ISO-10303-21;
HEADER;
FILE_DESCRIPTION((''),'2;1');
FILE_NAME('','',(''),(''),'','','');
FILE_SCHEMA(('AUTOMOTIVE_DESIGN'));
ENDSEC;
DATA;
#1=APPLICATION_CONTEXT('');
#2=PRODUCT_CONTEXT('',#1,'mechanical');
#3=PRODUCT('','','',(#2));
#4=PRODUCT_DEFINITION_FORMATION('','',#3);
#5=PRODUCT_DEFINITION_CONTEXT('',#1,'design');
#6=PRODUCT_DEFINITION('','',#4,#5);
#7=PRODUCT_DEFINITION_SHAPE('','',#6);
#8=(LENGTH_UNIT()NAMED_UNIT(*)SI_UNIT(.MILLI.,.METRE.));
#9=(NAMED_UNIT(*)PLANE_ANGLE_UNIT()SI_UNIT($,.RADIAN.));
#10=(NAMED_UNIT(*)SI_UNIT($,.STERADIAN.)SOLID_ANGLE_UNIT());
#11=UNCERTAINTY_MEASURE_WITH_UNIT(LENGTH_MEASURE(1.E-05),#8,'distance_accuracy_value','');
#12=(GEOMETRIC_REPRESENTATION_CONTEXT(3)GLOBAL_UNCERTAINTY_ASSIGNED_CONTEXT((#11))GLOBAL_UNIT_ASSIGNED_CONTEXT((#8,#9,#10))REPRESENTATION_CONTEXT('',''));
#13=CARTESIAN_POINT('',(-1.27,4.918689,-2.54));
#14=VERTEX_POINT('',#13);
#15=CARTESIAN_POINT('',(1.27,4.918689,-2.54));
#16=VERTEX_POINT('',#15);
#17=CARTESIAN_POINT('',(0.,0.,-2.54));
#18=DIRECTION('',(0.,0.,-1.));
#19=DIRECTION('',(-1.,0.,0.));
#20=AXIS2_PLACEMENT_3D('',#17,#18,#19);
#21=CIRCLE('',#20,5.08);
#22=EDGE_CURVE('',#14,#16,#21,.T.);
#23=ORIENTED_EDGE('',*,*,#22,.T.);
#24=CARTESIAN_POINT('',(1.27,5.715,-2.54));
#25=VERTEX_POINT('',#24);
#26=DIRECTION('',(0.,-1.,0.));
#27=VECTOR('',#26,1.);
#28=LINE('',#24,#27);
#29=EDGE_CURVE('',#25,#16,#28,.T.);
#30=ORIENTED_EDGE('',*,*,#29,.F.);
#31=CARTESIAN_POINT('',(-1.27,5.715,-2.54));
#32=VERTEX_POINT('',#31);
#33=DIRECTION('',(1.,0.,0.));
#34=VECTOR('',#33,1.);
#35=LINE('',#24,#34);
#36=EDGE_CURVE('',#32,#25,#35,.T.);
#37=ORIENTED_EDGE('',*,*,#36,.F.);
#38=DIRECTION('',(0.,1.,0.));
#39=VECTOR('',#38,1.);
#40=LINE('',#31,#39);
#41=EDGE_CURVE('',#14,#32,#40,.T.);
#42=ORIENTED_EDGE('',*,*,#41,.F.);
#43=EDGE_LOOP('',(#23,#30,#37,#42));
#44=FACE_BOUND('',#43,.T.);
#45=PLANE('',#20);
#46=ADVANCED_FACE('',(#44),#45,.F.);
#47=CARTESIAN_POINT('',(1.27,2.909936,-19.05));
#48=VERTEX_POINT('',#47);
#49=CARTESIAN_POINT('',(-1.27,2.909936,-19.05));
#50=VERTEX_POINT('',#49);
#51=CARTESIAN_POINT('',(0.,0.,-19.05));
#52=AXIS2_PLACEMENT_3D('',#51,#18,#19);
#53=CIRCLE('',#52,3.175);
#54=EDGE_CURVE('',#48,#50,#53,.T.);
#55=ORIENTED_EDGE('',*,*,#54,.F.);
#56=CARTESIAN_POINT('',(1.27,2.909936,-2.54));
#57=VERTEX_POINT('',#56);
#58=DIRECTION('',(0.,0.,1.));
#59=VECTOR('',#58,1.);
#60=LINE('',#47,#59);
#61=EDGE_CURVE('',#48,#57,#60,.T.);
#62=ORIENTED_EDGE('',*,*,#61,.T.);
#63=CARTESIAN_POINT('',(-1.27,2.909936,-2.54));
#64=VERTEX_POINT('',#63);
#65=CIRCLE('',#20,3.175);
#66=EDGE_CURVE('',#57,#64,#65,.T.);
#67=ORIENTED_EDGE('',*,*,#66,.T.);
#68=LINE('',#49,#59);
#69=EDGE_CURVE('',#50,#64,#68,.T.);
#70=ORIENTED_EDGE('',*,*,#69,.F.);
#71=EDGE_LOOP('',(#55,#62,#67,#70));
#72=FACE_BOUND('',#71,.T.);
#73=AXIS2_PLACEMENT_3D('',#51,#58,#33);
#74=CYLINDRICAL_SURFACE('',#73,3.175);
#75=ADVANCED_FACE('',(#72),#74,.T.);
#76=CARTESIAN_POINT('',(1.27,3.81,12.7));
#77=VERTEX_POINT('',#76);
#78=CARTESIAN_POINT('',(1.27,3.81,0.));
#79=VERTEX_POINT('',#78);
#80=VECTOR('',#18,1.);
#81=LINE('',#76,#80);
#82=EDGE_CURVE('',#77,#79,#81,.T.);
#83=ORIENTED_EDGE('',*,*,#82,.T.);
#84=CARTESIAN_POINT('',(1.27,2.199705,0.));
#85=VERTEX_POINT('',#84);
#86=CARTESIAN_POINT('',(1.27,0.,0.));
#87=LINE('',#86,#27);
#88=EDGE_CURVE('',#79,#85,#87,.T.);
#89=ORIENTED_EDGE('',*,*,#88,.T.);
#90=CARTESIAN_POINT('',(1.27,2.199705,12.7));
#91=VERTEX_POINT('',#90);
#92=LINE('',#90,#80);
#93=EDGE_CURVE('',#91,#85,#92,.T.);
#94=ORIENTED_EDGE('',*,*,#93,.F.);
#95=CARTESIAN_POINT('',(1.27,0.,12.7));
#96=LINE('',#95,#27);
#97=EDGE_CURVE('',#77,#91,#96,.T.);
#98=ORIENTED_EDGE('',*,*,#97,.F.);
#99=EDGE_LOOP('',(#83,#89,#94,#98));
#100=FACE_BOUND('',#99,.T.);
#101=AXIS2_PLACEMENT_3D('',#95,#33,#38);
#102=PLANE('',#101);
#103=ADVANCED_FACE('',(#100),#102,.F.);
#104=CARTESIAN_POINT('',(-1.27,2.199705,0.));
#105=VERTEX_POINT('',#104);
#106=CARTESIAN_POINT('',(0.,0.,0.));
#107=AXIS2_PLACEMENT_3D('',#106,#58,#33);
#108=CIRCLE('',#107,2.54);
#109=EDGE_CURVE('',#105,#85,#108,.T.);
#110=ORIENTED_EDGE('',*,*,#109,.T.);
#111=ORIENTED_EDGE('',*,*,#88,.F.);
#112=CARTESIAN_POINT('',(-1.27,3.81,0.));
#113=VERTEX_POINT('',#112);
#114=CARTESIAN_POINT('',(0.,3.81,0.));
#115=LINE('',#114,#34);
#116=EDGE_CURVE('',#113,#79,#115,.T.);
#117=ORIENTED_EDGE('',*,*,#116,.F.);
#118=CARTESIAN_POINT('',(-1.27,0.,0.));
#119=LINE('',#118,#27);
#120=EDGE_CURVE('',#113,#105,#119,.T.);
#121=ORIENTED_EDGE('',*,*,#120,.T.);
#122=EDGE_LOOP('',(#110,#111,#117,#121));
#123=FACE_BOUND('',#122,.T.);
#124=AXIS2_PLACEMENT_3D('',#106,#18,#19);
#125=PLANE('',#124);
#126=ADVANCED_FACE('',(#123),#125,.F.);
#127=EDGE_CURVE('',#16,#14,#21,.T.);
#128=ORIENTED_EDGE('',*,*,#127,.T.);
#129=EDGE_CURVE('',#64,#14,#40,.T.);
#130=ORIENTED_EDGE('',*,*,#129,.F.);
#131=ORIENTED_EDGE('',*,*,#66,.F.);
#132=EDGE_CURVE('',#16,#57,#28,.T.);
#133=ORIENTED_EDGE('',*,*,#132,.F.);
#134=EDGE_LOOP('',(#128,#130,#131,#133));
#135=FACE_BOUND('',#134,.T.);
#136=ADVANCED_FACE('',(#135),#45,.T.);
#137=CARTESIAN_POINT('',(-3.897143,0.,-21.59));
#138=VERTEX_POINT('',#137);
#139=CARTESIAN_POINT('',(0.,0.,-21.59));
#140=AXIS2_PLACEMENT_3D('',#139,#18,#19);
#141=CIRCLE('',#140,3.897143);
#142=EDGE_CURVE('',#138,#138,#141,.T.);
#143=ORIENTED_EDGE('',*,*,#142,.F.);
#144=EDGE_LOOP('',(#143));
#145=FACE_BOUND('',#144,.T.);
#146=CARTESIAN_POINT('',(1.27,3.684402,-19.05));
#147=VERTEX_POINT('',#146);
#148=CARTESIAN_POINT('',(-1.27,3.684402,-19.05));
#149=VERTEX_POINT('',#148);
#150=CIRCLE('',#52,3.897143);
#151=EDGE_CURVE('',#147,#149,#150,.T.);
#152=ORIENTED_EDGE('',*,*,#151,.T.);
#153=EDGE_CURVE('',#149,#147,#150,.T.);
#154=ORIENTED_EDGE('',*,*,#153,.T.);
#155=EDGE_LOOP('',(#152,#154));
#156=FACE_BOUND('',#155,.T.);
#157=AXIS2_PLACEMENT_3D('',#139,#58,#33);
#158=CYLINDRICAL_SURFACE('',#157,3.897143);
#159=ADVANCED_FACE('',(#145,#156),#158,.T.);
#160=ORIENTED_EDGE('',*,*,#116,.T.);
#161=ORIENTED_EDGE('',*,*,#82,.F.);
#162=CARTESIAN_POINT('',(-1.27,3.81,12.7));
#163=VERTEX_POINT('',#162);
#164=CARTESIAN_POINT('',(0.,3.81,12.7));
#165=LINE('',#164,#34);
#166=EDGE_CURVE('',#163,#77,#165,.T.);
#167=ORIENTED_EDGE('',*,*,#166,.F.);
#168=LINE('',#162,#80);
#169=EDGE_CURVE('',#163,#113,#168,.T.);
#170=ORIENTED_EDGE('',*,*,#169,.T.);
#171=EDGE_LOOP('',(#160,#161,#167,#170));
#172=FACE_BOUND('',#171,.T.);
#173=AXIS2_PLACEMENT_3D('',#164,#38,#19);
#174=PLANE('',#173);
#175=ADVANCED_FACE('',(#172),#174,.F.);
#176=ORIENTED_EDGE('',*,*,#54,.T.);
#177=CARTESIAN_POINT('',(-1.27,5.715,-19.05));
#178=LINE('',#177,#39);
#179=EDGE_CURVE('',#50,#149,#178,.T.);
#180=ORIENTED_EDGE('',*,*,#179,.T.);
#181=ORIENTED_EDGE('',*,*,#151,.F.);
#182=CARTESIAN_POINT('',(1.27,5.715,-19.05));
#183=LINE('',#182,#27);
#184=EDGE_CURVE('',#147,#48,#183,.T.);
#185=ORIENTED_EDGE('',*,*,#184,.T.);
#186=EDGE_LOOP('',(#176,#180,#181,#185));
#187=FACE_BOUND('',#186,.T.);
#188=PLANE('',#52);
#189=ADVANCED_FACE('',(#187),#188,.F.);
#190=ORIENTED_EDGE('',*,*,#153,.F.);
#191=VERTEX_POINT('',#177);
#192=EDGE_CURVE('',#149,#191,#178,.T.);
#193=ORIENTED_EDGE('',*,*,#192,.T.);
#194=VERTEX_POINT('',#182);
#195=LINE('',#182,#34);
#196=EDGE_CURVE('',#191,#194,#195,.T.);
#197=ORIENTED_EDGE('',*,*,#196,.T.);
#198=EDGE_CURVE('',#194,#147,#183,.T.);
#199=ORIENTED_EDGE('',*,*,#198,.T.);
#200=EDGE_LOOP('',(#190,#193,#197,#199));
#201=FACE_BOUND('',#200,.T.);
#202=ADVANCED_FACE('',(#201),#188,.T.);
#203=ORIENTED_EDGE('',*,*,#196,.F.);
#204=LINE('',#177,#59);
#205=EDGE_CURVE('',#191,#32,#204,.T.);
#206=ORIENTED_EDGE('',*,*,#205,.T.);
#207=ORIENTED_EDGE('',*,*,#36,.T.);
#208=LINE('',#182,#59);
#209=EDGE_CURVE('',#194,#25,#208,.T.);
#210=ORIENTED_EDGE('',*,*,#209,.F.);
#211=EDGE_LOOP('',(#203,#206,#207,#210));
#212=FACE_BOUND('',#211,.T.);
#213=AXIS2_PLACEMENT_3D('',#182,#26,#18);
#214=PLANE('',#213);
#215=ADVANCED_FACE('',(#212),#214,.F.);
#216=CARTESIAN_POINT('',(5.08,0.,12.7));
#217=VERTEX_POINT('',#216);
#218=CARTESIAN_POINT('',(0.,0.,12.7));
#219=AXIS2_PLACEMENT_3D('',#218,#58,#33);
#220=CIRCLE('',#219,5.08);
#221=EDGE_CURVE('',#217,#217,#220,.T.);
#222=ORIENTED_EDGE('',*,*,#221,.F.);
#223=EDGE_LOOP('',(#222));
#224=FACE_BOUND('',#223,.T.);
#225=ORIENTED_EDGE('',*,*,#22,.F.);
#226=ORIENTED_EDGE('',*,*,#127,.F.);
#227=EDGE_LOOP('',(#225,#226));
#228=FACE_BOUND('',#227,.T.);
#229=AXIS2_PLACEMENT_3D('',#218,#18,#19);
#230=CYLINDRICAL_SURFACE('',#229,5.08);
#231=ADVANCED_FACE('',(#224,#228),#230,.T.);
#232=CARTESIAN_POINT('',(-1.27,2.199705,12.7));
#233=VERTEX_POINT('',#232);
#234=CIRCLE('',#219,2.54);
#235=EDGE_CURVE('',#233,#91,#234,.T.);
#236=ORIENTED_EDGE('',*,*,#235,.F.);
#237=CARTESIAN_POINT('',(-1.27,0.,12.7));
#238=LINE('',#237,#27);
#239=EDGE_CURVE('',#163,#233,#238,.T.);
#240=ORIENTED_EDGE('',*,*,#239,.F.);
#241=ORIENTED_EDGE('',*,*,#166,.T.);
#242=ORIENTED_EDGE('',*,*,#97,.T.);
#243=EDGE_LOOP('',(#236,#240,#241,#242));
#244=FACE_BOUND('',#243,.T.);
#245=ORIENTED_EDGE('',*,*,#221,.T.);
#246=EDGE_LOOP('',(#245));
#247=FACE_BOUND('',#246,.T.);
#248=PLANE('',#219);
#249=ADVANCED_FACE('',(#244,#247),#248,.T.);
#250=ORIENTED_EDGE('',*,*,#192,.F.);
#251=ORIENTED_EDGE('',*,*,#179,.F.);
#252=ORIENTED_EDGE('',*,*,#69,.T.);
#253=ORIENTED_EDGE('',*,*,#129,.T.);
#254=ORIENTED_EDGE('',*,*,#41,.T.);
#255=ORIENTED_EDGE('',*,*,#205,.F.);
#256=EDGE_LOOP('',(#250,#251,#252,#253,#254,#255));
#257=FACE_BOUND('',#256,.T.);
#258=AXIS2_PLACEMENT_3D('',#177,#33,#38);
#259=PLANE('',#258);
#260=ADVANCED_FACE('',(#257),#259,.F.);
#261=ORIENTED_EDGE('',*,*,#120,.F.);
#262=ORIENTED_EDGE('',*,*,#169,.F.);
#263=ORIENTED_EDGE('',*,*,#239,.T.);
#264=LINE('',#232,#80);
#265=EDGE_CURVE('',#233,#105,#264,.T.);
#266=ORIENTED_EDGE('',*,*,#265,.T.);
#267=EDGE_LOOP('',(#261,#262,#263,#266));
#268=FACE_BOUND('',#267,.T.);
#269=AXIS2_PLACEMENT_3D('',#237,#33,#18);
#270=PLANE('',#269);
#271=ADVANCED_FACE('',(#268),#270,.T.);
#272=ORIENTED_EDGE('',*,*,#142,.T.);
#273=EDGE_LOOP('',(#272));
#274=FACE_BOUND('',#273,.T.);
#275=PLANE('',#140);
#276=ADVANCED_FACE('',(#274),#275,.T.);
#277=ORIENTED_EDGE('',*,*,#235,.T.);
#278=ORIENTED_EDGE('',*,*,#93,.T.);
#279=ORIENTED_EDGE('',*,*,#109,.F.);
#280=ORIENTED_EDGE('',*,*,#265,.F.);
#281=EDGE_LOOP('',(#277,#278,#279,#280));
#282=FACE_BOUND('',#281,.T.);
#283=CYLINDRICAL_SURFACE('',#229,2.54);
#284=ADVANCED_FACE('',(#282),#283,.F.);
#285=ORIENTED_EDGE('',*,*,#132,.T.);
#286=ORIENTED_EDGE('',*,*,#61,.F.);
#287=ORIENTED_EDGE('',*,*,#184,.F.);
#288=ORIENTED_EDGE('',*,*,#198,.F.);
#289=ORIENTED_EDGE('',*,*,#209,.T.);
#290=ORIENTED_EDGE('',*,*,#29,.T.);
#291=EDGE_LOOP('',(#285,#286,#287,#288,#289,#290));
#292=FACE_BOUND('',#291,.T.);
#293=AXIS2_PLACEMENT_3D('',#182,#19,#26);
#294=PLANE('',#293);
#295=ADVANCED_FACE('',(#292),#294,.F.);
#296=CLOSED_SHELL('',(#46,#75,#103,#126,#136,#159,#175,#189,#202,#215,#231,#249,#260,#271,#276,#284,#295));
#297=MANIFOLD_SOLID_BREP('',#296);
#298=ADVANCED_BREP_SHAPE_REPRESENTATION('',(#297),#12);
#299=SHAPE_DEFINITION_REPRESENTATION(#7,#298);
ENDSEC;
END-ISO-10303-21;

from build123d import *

# Parameters (mm, degrees)
SKETCH1_R           = 5.08
BOSS_EXTRUDE1_DEPTH = 12.7
BOSS_EXTRUDE5_START = 2.54
SKETCH3_R           = 5.08
BOSS_EXTRUDE5_DEPTH = 2.54
BOSS_EXTRUDE7_DEPTH = 16.51
SKETCH6_R           = 3.897142563
BOSS_EXTRUDE8_DEPTH = 2.54


with BuildPart() as part:
    # Sketch1 → Boss-Extrude1 (new body)
    with BuildSketch(Plane.XY):
        Circle(SKETCH1_R)
        with BuildLine():
            Line((-1.27, 2.199704526), (-1.27, 3.81))
            Line((-1.27, 3.81), (1.27, 3.81))
            Line((1.27, 3.81), (1.27, 2.199704526))
            ThreePointArc((1.27, 2.199704526), (2.199704526, 1.27), (2.54, 0))
            ThreePointArc((2.54, 0), (-1.27, -2.199704526), (-1.27, 2.199704526))
        make_face(mode=Mode.SUBTRACT)
    extrude(amount=BOSS_EXTRUDE1_DEPTH)

    # Sketch3 → Boss-Extrude5 (add)
    with BuildSketch(Plane(origin=(0, 0, 0), x_dir=(-1, 0, 0), z_dir=(0, 0, -1)).offset(BOSS_EXTRUDE5_START)):
        Circle(SKETCH3_R)
    extrude(amount=-BOSS_EXTRUDE5_DEPTH)

    # Sketch5 → Boss-Extrude7 (add)
    with BuildSketch(Plane(origin=(0, 0, -2.54), x_dir=(-1, 0, 0), z_dir=(0, 0, -1))):
        with BuildLine():
            Line((-1.27, 5.715), (1.27, 5.715))
            Line((1.27, 5.715), (1.27, 2.909935566))
            ThreePointArc((1.27, 2.909935566), (0, -3.175), (-1.27, 2.909935566))
            Line((-1.27, 2.909935566), (-1.27, 5.715))
        make_face()
    extrude(amount=BOSS_EXTRUDE7_DEPTH)

    # Sketch6 → Boss-Extrude8 (add)
    with BuildSketch(Plane(origin=(0, 0, -19.05), x_dir=(-1, 0, 0), z_dir=(0, 0, -1))):
        with Locations(Location((0, 0, 0), (0, 0, 109.018885315))):
            Circle(SKETCH6_R)
    extrude(amount=BOSS_EXTRUDE8_DEPTH)


solid = part.part
